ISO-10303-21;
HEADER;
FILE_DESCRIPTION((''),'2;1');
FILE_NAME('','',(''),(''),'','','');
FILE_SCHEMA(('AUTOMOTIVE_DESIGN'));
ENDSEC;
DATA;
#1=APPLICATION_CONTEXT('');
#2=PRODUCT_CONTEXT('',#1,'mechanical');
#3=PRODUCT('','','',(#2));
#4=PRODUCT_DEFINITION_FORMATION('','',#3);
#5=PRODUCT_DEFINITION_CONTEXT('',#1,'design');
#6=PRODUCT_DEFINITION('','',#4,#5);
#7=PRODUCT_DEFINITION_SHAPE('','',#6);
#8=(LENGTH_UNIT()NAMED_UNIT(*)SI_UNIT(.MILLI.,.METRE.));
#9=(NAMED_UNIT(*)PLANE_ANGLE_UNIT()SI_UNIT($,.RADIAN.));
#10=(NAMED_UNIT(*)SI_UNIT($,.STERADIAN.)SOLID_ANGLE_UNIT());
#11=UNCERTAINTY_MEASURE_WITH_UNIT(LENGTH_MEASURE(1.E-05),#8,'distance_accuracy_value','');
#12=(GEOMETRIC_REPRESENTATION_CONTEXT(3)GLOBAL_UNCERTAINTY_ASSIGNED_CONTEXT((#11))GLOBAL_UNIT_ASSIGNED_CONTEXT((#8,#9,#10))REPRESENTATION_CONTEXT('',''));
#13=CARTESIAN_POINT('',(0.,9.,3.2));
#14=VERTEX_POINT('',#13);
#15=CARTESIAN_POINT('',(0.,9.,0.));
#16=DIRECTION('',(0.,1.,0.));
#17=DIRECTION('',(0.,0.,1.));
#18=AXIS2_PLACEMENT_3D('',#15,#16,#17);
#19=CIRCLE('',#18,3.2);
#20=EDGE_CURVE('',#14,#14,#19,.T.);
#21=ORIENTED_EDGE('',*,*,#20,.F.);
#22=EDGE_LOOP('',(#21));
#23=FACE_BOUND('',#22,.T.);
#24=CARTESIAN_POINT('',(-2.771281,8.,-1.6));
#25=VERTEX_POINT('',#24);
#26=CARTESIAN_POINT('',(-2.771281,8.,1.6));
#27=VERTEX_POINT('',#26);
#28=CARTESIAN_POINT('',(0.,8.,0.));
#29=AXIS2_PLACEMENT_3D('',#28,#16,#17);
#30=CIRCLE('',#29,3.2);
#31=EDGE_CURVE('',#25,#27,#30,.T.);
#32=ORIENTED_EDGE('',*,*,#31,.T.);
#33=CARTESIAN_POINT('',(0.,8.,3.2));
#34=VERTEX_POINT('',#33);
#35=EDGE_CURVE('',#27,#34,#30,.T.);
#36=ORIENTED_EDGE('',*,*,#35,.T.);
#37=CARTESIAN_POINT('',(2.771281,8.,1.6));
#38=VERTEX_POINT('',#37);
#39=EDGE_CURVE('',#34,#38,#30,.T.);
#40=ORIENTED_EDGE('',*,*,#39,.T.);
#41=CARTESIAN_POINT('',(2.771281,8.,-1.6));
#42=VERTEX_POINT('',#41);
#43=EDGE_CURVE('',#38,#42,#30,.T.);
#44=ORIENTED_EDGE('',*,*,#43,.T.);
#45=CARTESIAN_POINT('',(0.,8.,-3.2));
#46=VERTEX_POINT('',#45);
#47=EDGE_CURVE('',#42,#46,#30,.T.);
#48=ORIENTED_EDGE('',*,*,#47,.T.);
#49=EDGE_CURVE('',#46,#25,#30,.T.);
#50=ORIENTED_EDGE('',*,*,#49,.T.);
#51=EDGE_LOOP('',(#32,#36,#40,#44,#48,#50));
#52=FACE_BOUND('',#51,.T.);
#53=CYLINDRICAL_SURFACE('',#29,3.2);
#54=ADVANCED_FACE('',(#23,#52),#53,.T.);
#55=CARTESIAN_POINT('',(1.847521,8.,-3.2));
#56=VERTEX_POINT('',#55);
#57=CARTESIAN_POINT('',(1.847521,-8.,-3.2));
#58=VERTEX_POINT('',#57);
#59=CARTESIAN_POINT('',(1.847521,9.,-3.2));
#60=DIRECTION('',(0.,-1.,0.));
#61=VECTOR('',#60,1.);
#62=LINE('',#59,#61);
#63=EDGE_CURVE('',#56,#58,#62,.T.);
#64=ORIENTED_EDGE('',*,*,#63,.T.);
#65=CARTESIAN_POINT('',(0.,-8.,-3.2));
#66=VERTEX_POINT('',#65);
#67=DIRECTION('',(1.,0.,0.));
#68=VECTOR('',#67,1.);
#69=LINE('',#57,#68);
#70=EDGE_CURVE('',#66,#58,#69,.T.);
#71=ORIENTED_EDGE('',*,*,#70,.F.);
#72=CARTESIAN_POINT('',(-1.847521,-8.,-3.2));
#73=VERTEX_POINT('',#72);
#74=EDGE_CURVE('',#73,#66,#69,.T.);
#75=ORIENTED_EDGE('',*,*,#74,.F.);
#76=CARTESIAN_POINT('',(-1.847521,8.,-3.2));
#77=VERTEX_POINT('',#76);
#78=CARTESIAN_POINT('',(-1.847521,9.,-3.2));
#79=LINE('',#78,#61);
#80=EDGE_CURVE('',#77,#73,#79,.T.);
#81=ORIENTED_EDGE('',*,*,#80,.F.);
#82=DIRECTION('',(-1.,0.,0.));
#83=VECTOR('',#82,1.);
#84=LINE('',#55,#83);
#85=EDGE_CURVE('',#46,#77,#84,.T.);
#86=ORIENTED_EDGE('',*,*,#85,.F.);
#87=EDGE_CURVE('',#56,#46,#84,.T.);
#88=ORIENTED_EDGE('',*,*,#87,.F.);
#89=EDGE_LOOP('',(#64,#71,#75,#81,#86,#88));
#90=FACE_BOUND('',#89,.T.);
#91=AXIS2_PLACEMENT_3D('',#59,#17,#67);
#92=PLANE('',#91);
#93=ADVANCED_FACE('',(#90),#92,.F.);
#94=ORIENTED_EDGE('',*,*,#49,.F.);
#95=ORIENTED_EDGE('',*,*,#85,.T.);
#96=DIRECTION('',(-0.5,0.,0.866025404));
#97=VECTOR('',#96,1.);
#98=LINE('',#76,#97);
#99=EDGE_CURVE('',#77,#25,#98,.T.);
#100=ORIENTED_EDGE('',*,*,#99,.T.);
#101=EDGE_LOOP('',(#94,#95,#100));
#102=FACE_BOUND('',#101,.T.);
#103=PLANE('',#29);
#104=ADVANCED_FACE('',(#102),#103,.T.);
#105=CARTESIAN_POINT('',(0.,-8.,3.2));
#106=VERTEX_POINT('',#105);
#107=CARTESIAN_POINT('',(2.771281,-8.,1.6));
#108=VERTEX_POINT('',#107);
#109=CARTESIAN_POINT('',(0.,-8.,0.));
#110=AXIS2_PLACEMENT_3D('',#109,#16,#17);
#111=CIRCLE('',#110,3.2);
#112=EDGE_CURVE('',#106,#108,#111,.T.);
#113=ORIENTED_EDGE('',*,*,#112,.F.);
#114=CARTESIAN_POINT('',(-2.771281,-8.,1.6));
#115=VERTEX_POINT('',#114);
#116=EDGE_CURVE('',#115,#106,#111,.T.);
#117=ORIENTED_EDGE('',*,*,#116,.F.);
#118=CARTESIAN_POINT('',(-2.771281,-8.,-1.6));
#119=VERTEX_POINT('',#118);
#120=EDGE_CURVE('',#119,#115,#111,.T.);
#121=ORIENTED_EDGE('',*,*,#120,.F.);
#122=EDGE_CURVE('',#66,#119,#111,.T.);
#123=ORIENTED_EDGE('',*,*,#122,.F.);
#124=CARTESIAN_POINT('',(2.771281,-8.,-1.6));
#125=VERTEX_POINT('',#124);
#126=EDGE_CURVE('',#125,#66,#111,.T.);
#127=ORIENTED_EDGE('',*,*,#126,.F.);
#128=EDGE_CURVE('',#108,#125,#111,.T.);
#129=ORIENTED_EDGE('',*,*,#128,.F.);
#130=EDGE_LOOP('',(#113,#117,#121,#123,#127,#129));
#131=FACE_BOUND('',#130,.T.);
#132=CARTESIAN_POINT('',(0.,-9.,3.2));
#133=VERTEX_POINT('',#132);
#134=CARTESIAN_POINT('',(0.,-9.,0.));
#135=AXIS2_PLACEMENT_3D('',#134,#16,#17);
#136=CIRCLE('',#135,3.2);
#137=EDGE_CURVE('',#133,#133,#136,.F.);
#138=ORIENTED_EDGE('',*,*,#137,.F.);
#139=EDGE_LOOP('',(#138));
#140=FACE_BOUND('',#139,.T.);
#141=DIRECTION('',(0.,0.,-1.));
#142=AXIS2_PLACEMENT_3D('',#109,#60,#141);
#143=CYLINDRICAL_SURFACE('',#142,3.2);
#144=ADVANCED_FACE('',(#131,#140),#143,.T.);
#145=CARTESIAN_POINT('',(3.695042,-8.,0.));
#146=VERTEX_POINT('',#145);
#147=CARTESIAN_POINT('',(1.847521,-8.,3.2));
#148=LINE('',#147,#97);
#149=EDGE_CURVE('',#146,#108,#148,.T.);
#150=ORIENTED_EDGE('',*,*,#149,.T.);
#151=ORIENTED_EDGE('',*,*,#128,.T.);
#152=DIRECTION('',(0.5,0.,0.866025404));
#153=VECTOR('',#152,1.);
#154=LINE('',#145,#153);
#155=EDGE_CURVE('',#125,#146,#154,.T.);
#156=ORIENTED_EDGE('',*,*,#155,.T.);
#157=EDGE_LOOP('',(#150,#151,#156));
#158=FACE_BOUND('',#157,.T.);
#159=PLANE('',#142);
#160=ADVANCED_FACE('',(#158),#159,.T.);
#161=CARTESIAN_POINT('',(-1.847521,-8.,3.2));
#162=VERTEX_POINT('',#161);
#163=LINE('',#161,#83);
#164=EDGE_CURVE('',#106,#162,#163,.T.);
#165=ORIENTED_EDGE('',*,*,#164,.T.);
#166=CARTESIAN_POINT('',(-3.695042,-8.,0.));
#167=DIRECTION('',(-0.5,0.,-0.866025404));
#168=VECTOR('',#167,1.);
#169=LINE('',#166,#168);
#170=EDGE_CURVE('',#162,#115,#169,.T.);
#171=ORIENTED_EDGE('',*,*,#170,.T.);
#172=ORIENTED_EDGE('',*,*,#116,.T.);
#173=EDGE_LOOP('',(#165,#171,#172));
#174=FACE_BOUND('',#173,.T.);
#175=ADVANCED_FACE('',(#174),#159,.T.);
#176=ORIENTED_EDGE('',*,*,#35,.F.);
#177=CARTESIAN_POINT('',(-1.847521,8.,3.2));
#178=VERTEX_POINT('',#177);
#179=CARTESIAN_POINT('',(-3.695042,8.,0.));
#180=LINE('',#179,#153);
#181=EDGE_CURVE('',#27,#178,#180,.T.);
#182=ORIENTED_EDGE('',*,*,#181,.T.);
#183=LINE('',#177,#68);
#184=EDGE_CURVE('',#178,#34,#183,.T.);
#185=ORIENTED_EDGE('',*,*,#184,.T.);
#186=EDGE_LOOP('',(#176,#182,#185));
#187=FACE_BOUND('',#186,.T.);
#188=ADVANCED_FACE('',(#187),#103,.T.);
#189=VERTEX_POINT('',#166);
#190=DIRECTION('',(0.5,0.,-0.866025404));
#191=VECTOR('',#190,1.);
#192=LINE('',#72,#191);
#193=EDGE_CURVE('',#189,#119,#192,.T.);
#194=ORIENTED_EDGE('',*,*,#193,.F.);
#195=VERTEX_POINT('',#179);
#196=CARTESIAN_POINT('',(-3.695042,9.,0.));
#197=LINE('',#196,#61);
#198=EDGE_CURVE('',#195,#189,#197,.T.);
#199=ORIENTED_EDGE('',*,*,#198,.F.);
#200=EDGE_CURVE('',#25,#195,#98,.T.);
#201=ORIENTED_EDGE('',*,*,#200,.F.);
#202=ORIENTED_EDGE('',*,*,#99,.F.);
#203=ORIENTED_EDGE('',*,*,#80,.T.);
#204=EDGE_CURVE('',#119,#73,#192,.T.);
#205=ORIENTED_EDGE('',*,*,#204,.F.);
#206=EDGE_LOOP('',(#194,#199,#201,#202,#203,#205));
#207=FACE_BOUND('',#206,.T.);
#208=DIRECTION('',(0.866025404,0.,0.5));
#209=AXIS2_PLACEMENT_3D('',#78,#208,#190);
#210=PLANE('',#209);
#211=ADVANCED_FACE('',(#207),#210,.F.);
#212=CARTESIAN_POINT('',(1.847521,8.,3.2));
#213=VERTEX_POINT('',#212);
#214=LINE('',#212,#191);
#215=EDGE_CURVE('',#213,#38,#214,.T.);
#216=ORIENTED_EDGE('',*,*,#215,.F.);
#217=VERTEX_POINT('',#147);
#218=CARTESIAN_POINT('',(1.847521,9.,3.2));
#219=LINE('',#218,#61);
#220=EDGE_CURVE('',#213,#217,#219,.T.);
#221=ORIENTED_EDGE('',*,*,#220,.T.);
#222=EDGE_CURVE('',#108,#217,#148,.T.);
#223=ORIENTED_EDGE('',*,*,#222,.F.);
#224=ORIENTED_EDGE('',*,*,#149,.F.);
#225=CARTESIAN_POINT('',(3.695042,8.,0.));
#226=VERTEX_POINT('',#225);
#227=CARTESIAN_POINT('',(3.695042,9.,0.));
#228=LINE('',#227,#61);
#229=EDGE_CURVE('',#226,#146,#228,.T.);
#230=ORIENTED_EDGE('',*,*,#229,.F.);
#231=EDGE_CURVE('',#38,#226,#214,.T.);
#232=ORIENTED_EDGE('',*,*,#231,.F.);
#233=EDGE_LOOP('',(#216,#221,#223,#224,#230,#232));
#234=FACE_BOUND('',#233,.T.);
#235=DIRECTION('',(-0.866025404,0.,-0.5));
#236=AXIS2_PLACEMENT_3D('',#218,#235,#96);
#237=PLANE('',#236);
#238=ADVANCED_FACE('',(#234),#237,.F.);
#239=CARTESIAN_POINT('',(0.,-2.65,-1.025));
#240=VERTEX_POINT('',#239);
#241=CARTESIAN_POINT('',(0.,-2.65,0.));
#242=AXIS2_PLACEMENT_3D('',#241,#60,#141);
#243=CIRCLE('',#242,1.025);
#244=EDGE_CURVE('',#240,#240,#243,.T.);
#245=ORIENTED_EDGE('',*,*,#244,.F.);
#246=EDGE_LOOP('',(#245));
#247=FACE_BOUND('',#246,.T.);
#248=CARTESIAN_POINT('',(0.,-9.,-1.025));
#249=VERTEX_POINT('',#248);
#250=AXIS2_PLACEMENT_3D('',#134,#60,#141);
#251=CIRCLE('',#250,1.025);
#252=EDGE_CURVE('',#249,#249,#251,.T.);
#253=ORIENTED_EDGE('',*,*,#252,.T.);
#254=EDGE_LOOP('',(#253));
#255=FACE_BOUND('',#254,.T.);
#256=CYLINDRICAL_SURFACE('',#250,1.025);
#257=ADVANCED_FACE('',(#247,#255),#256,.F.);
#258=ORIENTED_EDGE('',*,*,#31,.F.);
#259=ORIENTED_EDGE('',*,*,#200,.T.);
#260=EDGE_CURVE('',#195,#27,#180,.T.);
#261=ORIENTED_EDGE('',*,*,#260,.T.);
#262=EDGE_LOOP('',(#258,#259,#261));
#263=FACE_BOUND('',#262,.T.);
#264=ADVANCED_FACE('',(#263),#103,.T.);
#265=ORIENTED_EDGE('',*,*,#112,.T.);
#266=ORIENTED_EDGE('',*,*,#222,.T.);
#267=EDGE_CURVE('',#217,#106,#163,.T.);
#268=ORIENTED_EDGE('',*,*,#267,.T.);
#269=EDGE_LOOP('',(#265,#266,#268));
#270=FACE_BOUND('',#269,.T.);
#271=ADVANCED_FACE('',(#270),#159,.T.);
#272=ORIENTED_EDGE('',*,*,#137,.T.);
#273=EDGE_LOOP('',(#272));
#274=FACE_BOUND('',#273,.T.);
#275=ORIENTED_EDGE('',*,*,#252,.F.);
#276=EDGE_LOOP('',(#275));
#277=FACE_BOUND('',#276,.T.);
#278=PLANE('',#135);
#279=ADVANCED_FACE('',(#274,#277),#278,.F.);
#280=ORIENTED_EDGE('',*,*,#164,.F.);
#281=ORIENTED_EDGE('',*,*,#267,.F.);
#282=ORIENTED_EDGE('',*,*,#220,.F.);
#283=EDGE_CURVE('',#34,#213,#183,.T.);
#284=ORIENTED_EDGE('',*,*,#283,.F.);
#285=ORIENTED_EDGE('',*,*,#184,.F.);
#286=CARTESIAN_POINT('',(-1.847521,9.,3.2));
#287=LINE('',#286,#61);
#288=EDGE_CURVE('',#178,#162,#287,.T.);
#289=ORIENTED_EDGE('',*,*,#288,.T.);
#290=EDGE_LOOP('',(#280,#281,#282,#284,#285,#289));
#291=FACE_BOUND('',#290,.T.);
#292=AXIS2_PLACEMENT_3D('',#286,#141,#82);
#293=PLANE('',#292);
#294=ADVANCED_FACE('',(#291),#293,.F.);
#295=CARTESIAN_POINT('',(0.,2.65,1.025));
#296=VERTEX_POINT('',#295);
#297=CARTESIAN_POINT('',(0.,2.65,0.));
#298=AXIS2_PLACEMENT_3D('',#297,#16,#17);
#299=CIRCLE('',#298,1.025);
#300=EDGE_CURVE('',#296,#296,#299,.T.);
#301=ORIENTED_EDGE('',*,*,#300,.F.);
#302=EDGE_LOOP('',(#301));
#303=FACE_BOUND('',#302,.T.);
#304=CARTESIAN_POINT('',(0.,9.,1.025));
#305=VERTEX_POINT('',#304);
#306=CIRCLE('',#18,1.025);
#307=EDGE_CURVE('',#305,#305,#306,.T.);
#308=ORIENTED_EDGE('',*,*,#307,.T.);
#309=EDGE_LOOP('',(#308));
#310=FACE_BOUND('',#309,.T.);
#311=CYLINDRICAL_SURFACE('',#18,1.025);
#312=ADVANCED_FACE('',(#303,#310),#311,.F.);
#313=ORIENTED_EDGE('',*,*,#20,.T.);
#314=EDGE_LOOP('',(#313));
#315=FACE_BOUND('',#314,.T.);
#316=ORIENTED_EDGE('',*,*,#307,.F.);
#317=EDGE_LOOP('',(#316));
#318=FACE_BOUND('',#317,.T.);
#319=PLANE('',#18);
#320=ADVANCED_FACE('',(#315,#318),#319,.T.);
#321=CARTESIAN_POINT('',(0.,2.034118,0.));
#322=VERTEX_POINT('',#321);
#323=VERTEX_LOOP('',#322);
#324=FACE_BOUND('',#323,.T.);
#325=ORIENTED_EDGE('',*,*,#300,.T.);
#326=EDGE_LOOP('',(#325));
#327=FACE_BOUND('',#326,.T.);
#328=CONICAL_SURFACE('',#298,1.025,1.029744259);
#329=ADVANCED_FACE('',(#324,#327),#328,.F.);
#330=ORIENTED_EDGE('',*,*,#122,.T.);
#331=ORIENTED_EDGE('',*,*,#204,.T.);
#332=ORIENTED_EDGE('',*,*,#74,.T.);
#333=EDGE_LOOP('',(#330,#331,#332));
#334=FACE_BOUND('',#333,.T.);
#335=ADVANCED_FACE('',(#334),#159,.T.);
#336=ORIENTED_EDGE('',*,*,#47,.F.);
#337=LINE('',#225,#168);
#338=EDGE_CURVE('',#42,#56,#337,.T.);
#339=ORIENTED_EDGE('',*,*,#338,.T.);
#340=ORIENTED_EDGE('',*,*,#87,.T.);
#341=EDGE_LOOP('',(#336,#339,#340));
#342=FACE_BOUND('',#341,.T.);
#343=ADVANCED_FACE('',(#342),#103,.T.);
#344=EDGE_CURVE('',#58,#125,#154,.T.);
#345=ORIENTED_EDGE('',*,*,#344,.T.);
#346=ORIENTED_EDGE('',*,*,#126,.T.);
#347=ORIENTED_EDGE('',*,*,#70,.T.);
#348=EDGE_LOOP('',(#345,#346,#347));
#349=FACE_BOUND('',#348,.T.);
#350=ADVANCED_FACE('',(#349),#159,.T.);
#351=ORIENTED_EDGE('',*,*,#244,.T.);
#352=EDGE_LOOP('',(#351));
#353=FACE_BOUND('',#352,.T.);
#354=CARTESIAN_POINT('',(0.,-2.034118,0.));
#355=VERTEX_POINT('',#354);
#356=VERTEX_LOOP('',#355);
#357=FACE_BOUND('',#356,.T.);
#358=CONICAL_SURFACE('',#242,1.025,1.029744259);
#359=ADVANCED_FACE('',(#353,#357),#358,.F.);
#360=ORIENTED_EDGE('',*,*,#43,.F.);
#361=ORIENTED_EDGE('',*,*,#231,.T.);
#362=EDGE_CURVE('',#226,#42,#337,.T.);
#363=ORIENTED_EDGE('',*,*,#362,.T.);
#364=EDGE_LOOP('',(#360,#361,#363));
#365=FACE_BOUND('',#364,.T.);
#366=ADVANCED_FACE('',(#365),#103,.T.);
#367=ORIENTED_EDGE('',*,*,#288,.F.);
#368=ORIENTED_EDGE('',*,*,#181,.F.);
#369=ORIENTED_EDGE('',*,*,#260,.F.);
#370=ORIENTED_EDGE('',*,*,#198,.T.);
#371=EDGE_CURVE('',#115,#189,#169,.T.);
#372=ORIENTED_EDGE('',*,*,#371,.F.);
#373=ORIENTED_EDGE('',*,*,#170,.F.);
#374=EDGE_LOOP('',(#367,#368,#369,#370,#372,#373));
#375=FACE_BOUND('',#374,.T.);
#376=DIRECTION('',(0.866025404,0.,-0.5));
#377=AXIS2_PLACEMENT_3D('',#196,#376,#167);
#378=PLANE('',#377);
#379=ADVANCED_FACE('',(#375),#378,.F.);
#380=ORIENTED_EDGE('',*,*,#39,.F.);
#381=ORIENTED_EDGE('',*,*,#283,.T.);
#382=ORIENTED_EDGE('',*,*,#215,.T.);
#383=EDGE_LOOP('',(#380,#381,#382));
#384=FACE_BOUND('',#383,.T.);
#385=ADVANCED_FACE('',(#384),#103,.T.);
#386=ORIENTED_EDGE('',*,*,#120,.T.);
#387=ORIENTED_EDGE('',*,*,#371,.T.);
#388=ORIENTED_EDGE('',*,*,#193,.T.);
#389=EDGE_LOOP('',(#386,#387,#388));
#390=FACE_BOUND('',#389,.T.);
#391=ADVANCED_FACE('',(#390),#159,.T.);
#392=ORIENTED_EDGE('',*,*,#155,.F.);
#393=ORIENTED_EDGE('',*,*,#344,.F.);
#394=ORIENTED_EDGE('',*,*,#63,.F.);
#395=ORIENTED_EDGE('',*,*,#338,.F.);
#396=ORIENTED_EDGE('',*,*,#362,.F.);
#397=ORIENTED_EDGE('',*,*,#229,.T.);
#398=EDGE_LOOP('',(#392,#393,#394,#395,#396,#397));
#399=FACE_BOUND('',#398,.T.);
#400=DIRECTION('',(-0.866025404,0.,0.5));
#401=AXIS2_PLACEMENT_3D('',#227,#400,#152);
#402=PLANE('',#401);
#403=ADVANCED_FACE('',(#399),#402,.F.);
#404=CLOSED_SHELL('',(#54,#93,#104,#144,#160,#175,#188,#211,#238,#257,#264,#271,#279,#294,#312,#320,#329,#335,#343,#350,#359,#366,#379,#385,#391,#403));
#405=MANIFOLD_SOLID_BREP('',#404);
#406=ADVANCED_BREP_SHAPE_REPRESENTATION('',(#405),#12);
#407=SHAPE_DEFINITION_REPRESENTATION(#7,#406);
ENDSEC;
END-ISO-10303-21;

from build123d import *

# Parameters (mm, degrees)
BOSS_EXTRUDE1_DEPTH = 9
SKETCH3_OUTSIDE_W   = 13.486
SKETCH3_OUTSIDE_H   = 12.496
SKETCH3_OUTSIDE_R   = 3.2
CUT_EXTRUDE1_DEPTH  = 1


with BuildPart() as part:
    # Sketch1 → Boss-Extrude1 (new, symmetric)
    with BuildSketch(Plane(origin=(0, 0, 0), x_dir=(1, 0, 0), z_dir=(0, 1, 0))):
        Polygon((3.695041723, 0), (1.847520861, 3.2), (-1.847520861, 3.2), (-3.695041723, 0), (-1.847520861, -3.2), (1.847520861, -3.2), align=None)
    extrude(amount=BOSS_EXTRUDE1_DEPTH, both=True)

    # Sketch3 outside → Cut-Extrude1 (cut)
    with BuildSketch(Plane(origin=(0, 9, 0), x_dir=(1, 0, 0), z_dir=(0, 1, 0))):
        Rectangle(SKETCH3_OUTSIDE_W, SKETCH3_OUTSIDE_H)
        with Locations(Location((0, 0, 0), (0, 0, 270))):
            Circle(SKETCH3_OUTSIDE_R, mode=Mode.SUBTRACT)
    cut_extrude1 = extrude(amount=-CUT_EXTRUDE1_DEPTH, mode=Mode.SUBTRACT)

    # Mirror2: Cut-Extrude1 across plane
    add(cut_extrude1.mirror(Plane.ZX), mode=Mode.SUBTRACT)

    # Sketch2 → M2.5 Tapped Hole1 (revolve, cut)
    with BuildSketch(Plane(origin=(0, 9, 0), x_dir=(0, 0, 1), z_dir=(1, 0, 0))):
        Polygon((0, 0), (0, 6.965882135), (1.025, 6.35), (1.025, 0), align=None)
    m2_5_tapped_hole1 = revolve(axis=Axis((0, 15.35, 0), (0, -1, 0)), mode=Mode.SUBTRACT)

    # Mirror1: M2.5 Tapped Hole1 across plane
    add(m2_5_tapped_hole1.mirror(Plane.ZX), mode=Mode.SUBTRACT)


solid = part.part
